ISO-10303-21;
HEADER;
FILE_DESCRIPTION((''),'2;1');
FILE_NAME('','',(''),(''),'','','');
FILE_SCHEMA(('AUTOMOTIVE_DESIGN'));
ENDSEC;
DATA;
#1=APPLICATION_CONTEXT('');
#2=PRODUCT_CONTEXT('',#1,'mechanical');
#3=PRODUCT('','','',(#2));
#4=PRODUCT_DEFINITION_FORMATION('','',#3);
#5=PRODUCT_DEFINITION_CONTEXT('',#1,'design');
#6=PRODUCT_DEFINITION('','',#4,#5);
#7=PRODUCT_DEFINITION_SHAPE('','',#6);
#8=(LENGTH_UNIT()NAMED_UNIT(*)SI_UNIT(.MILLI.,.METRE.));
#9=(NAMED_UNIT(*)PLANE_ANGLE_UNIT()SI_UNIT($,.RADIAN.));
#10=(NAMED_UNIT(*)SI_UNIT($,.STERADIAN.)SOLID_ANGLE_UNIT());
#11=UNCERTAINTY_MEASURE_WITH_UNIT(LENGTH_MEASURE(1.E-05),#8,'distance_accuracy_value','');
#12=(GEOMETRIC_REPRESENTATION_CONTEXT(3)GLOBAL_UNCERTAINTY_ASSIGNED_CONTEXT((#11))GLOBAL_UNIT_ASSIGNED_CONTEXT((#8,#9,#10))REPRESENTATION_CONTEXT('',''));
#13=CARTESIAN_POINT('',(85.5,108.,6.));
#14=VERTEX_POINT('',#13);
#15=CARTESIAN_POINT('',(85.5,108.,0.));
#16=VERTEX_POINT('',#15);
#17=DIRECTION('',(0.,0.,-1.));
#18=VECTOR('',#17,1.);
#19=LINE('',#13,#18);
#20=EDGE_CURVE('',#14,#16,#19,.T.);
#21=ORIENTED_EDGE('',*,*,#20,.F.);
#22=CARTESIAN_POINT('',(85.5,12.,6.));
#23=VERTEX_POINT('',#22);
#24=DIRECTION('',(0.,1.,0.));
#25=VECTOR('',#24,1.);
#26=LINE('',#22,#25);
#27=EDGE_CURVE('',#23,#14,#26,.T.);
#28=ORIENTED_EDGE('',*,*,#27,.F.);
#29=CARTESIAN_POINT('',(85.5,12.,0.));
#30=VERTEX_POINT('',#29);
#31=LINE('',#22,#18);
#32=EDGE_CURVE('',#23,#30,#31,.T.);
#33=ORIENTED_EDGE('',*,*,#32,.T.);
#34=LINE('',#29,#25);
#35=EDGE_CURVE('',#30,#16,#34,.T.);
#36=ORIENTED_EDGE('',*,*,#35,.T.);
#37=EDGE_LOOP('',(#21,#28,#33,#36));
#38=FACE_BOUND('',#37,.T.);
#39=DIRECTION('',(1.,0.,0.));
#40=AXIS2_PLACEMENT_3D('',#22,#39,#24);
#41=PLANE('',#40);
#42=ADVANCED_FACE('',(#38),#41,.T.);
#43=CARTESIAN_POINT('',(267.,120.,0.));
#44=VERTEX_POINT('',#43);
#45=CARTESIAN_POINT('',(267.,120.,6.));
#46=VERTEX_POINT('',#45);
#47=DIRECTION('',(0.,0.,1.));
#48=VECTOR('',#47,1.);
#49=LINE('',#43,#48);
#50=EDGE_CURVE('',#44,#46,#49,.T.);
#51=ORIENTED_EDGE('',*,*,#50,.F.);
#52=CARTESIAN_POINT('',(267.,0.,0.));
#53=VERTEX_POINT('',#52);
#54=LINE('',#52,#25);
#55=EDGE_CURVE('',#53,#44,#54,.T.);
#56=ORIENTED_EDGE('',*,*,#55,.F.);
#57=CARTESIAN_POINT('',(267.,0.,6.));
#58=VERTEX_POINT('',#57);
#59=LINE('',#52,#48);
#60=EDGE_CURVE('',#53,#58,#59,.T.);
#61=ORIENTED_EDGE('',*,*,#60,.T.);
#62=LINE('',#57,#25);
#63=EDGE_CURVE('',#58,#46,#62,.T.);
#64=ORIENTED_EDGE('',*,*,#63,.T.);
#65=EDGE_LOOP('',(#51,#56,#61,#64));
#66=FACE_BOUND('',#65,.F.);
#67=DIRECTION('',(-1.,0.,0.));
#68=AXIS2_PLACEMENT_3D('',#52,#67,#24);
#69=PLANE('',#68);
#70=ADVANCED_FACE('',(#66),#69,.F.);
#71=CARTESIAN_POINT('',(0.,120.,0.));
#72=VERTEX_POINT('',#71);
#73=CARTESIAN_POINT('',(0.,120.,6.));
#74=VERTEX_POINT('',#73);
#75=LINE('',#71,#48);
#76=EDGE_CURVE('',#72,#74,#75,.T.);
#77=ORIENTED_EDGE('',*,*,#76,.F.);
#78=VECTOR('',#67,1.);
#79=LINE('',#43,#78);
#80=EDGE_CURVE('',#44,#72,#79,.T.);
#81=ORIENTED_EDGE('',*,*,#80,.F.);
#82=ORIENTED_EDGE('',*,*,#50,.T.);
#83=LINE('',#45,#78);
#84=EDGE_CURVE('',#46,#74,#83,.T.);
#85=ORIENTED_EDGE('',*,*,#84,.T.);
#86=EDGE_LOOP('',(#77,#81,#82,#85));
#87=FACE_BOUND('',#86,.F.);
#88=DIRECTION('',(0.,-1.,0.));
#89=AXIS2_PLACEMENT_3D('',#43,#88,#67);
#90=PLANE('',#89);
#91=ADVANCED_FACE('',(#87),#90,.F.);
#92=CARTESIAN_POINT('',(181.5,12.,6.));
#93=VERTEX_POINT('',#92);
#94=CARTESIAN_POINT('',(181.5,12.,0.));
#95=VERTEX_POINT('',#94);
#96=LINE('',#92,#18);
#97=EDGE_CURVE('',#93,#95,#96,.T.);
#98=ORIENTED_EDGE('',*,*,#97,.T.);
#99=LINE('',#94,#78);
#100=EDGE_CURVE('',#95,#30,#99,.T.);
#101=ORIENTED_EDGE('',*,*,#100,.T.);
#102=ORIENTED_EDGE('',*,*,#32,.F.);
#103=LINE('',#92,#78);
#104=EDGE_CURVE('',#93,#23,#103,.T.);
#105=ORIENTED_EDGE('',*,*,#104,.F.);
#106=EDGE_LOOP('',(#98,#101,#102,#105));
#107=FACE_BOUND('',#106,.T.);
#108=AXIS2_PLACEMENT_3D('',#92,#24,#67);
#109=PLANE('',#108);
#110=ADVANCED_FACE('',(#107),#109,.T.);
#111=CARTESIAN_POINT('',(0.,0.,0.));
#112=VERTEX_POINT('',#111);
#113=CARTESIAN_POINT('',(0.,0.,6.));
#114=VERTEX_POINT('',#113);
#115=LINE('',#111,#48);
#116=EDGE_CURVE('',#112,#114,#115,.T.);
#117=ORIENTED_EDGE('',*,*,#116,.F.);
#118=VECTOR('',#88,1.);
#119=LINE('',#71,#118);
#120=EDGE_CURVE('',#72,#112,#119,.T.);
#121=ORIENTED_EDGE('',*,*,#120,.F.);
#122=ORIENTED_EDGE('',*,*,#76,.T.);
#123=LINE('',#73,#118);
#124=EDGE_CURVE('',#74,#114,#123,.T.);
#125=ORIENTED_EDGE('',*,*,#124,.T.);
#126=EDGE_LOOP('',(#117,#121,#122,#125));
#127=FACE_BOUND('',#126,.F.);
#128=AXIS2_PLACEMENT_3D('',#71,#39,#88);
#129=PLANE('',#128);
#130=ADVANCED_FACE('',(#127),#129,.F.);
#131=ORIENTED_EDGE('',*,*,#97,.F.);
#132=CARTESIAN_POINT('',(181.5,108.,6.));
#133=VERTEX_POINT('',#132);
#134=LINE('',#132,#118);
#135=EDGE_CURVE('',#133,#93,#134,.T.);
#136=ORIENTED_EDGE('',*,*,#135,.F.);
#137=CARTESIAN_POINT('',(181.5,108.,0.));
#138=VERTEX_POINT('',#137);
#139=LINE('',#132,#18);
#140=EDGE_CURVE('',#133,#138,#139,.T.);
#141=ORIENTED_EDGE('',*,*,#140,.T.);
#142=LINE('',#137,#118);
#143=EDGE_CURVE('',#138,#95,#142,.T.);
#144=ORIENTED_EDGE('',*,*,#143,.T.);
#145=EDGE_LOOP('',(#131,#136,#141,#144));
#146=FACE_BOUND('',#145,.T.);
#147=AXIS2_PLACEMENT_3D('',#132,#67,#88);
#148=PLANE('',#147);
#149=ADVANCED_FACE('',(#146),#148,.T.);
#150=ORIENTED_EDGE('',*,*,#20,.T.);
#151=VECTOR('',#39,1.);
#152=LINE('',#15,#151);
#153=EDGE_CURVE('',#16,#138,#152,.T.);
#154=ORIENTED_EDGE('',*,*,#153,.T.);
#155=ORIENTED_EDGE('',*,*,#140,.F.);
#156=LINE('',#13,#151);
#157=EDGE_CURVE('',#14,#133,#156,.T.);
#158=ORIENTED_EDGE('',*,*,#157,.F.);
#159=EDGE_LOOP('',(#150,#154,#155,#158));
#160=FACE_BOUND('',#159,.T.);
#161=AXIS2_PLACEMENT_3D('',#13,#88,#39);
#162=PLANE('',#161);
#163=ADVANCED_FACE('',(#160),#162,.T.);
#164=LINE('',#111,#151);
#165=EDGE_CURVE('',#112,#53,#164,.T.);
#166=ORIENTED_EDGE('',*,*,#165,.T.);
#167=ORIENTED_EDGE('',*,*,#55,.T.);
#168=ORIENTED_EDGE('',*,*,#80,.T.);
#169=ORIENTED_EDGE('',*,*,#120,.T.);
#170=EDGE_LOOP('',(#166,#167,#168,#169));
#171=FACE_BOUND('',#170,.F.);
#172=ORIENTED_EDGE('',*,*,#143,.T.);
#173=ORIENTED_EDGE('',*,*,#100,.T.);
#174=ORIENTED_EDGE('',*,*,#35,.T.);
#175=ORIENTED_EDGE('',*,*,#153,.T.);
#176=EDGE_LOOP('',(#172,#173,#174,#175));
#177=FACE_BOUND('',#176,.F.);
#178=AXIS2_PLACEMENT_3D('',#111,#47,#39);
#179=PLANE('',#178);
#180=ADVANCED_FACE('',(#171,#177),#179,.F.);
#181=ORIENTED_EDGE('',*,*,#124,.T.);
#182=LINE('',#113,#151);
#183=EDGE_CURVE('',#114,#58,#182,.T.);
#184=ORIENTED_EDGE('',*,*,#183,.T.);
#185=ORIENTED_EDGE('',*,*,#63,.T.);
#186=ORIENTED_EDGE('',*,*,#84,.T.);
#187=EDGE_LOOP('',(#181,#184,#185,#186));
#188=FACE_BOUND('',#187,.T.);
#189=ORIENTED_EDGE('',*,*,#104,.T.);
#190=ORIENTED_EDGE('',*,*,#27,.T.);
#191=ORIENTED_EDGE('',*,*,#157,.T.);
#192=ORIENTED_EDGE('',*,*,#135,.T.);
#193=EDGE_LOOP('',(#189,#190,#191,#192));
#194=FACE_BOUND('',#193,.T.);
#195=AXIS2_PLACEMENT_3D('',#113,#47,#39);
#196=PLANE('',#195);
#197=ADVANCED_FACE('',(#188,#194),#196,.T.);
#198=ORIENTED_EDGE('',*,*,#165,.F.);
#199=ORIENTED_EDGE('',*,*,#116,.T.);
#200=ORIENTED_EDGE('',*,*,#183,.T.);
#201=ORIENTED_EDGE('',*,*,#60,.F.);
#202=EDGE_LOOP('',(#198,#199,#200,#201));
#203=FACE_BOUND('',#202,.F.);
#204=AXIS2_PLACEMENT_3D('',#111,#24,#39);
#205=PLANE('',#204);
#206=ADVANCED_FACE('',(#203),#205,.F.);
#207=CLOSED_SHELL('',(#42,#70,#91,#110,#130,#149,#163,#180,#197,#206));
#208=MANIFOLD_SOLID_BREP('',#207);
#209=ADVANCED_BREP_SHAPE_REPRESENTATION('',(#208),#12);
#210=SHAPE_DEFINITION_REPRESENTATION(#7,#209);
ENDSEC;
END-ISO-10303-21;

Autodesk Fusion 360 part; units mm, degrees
sketch "Sorting Mechanism Top Panel" plane through (0, 0, 0) normal (0, 0, 1) x (1, 0, 0)
  line L0 (0, 0) -> (267, 0)
  line L1 (267, 0) -> (267, 120)
  line L2 (267, 120) -> (0, 120)
  line L3 (0, 120) -> (0, 0)
  dimension "d1" = 267
  dimension "d2" = 120
extrude "Extrude1" add sketch "Sorting Mechanism Top Panel" along normal blind 6
sketch "Smartie Hopper Hole" plane through (0, 0, 6) normal (0, 0, 1) x (-1, 0, 0)
  line L0 (0, -120) -> (0, 0)
  line L1 (0, 0) -> (-267, 0)
  line L2 (-267, 0) -> (-267, -120)
  line L3 (-267, -120) -> (0, -120)
  line L4 (-85.5, -108) -> (-181.5, -108)
  line L5 (-181.5, -108) -> (-181.5, -12)
  line L6 (-181.5, -12) -> (-85.5, -12)
  line L7 (-85.5, -12) -> (-85.5, -108)
  dimension "d7" = 96
  dimension "d9" = 96
  dimension "d10" = 85.5
  dimension "d11" = 85.5
  dimension "d12" = 12
  dimension "d13" = 12
extrude "Extrude2" cut sketch "Smartie Hopper Hole" against normal blind 6 contours L4 L5 L6 L7
equation "d3 = MDF_thickness"
equation "acrylic_thickness = 3 mm" comment "Thickness of the clear acrylic panels"
equation "MDF_thickness = 6 mm" comment "Thickness of the MDF panels"
equation "d7 = smarties_feed_hole_size + 2 * acrylic_thickness"
equation "smarties_feed_hole_size = 90 mm" comment "Width of the Smarties feed hole in the Smartie Feed component"
equation "d9 = smarties_feed_hole_size + 2 * acrylic_thickness"
equation "d10 = ( 267 mm - ( smarties_feed_hole_size + 2 * acrylic_thickness ) ) / 2"
equation "d12 = ( 120 mm - ( smarties_feed_hole_size + 2 * acrylic_thickness ) ) / 2"
equation "d14 = -MDF_thickness"
